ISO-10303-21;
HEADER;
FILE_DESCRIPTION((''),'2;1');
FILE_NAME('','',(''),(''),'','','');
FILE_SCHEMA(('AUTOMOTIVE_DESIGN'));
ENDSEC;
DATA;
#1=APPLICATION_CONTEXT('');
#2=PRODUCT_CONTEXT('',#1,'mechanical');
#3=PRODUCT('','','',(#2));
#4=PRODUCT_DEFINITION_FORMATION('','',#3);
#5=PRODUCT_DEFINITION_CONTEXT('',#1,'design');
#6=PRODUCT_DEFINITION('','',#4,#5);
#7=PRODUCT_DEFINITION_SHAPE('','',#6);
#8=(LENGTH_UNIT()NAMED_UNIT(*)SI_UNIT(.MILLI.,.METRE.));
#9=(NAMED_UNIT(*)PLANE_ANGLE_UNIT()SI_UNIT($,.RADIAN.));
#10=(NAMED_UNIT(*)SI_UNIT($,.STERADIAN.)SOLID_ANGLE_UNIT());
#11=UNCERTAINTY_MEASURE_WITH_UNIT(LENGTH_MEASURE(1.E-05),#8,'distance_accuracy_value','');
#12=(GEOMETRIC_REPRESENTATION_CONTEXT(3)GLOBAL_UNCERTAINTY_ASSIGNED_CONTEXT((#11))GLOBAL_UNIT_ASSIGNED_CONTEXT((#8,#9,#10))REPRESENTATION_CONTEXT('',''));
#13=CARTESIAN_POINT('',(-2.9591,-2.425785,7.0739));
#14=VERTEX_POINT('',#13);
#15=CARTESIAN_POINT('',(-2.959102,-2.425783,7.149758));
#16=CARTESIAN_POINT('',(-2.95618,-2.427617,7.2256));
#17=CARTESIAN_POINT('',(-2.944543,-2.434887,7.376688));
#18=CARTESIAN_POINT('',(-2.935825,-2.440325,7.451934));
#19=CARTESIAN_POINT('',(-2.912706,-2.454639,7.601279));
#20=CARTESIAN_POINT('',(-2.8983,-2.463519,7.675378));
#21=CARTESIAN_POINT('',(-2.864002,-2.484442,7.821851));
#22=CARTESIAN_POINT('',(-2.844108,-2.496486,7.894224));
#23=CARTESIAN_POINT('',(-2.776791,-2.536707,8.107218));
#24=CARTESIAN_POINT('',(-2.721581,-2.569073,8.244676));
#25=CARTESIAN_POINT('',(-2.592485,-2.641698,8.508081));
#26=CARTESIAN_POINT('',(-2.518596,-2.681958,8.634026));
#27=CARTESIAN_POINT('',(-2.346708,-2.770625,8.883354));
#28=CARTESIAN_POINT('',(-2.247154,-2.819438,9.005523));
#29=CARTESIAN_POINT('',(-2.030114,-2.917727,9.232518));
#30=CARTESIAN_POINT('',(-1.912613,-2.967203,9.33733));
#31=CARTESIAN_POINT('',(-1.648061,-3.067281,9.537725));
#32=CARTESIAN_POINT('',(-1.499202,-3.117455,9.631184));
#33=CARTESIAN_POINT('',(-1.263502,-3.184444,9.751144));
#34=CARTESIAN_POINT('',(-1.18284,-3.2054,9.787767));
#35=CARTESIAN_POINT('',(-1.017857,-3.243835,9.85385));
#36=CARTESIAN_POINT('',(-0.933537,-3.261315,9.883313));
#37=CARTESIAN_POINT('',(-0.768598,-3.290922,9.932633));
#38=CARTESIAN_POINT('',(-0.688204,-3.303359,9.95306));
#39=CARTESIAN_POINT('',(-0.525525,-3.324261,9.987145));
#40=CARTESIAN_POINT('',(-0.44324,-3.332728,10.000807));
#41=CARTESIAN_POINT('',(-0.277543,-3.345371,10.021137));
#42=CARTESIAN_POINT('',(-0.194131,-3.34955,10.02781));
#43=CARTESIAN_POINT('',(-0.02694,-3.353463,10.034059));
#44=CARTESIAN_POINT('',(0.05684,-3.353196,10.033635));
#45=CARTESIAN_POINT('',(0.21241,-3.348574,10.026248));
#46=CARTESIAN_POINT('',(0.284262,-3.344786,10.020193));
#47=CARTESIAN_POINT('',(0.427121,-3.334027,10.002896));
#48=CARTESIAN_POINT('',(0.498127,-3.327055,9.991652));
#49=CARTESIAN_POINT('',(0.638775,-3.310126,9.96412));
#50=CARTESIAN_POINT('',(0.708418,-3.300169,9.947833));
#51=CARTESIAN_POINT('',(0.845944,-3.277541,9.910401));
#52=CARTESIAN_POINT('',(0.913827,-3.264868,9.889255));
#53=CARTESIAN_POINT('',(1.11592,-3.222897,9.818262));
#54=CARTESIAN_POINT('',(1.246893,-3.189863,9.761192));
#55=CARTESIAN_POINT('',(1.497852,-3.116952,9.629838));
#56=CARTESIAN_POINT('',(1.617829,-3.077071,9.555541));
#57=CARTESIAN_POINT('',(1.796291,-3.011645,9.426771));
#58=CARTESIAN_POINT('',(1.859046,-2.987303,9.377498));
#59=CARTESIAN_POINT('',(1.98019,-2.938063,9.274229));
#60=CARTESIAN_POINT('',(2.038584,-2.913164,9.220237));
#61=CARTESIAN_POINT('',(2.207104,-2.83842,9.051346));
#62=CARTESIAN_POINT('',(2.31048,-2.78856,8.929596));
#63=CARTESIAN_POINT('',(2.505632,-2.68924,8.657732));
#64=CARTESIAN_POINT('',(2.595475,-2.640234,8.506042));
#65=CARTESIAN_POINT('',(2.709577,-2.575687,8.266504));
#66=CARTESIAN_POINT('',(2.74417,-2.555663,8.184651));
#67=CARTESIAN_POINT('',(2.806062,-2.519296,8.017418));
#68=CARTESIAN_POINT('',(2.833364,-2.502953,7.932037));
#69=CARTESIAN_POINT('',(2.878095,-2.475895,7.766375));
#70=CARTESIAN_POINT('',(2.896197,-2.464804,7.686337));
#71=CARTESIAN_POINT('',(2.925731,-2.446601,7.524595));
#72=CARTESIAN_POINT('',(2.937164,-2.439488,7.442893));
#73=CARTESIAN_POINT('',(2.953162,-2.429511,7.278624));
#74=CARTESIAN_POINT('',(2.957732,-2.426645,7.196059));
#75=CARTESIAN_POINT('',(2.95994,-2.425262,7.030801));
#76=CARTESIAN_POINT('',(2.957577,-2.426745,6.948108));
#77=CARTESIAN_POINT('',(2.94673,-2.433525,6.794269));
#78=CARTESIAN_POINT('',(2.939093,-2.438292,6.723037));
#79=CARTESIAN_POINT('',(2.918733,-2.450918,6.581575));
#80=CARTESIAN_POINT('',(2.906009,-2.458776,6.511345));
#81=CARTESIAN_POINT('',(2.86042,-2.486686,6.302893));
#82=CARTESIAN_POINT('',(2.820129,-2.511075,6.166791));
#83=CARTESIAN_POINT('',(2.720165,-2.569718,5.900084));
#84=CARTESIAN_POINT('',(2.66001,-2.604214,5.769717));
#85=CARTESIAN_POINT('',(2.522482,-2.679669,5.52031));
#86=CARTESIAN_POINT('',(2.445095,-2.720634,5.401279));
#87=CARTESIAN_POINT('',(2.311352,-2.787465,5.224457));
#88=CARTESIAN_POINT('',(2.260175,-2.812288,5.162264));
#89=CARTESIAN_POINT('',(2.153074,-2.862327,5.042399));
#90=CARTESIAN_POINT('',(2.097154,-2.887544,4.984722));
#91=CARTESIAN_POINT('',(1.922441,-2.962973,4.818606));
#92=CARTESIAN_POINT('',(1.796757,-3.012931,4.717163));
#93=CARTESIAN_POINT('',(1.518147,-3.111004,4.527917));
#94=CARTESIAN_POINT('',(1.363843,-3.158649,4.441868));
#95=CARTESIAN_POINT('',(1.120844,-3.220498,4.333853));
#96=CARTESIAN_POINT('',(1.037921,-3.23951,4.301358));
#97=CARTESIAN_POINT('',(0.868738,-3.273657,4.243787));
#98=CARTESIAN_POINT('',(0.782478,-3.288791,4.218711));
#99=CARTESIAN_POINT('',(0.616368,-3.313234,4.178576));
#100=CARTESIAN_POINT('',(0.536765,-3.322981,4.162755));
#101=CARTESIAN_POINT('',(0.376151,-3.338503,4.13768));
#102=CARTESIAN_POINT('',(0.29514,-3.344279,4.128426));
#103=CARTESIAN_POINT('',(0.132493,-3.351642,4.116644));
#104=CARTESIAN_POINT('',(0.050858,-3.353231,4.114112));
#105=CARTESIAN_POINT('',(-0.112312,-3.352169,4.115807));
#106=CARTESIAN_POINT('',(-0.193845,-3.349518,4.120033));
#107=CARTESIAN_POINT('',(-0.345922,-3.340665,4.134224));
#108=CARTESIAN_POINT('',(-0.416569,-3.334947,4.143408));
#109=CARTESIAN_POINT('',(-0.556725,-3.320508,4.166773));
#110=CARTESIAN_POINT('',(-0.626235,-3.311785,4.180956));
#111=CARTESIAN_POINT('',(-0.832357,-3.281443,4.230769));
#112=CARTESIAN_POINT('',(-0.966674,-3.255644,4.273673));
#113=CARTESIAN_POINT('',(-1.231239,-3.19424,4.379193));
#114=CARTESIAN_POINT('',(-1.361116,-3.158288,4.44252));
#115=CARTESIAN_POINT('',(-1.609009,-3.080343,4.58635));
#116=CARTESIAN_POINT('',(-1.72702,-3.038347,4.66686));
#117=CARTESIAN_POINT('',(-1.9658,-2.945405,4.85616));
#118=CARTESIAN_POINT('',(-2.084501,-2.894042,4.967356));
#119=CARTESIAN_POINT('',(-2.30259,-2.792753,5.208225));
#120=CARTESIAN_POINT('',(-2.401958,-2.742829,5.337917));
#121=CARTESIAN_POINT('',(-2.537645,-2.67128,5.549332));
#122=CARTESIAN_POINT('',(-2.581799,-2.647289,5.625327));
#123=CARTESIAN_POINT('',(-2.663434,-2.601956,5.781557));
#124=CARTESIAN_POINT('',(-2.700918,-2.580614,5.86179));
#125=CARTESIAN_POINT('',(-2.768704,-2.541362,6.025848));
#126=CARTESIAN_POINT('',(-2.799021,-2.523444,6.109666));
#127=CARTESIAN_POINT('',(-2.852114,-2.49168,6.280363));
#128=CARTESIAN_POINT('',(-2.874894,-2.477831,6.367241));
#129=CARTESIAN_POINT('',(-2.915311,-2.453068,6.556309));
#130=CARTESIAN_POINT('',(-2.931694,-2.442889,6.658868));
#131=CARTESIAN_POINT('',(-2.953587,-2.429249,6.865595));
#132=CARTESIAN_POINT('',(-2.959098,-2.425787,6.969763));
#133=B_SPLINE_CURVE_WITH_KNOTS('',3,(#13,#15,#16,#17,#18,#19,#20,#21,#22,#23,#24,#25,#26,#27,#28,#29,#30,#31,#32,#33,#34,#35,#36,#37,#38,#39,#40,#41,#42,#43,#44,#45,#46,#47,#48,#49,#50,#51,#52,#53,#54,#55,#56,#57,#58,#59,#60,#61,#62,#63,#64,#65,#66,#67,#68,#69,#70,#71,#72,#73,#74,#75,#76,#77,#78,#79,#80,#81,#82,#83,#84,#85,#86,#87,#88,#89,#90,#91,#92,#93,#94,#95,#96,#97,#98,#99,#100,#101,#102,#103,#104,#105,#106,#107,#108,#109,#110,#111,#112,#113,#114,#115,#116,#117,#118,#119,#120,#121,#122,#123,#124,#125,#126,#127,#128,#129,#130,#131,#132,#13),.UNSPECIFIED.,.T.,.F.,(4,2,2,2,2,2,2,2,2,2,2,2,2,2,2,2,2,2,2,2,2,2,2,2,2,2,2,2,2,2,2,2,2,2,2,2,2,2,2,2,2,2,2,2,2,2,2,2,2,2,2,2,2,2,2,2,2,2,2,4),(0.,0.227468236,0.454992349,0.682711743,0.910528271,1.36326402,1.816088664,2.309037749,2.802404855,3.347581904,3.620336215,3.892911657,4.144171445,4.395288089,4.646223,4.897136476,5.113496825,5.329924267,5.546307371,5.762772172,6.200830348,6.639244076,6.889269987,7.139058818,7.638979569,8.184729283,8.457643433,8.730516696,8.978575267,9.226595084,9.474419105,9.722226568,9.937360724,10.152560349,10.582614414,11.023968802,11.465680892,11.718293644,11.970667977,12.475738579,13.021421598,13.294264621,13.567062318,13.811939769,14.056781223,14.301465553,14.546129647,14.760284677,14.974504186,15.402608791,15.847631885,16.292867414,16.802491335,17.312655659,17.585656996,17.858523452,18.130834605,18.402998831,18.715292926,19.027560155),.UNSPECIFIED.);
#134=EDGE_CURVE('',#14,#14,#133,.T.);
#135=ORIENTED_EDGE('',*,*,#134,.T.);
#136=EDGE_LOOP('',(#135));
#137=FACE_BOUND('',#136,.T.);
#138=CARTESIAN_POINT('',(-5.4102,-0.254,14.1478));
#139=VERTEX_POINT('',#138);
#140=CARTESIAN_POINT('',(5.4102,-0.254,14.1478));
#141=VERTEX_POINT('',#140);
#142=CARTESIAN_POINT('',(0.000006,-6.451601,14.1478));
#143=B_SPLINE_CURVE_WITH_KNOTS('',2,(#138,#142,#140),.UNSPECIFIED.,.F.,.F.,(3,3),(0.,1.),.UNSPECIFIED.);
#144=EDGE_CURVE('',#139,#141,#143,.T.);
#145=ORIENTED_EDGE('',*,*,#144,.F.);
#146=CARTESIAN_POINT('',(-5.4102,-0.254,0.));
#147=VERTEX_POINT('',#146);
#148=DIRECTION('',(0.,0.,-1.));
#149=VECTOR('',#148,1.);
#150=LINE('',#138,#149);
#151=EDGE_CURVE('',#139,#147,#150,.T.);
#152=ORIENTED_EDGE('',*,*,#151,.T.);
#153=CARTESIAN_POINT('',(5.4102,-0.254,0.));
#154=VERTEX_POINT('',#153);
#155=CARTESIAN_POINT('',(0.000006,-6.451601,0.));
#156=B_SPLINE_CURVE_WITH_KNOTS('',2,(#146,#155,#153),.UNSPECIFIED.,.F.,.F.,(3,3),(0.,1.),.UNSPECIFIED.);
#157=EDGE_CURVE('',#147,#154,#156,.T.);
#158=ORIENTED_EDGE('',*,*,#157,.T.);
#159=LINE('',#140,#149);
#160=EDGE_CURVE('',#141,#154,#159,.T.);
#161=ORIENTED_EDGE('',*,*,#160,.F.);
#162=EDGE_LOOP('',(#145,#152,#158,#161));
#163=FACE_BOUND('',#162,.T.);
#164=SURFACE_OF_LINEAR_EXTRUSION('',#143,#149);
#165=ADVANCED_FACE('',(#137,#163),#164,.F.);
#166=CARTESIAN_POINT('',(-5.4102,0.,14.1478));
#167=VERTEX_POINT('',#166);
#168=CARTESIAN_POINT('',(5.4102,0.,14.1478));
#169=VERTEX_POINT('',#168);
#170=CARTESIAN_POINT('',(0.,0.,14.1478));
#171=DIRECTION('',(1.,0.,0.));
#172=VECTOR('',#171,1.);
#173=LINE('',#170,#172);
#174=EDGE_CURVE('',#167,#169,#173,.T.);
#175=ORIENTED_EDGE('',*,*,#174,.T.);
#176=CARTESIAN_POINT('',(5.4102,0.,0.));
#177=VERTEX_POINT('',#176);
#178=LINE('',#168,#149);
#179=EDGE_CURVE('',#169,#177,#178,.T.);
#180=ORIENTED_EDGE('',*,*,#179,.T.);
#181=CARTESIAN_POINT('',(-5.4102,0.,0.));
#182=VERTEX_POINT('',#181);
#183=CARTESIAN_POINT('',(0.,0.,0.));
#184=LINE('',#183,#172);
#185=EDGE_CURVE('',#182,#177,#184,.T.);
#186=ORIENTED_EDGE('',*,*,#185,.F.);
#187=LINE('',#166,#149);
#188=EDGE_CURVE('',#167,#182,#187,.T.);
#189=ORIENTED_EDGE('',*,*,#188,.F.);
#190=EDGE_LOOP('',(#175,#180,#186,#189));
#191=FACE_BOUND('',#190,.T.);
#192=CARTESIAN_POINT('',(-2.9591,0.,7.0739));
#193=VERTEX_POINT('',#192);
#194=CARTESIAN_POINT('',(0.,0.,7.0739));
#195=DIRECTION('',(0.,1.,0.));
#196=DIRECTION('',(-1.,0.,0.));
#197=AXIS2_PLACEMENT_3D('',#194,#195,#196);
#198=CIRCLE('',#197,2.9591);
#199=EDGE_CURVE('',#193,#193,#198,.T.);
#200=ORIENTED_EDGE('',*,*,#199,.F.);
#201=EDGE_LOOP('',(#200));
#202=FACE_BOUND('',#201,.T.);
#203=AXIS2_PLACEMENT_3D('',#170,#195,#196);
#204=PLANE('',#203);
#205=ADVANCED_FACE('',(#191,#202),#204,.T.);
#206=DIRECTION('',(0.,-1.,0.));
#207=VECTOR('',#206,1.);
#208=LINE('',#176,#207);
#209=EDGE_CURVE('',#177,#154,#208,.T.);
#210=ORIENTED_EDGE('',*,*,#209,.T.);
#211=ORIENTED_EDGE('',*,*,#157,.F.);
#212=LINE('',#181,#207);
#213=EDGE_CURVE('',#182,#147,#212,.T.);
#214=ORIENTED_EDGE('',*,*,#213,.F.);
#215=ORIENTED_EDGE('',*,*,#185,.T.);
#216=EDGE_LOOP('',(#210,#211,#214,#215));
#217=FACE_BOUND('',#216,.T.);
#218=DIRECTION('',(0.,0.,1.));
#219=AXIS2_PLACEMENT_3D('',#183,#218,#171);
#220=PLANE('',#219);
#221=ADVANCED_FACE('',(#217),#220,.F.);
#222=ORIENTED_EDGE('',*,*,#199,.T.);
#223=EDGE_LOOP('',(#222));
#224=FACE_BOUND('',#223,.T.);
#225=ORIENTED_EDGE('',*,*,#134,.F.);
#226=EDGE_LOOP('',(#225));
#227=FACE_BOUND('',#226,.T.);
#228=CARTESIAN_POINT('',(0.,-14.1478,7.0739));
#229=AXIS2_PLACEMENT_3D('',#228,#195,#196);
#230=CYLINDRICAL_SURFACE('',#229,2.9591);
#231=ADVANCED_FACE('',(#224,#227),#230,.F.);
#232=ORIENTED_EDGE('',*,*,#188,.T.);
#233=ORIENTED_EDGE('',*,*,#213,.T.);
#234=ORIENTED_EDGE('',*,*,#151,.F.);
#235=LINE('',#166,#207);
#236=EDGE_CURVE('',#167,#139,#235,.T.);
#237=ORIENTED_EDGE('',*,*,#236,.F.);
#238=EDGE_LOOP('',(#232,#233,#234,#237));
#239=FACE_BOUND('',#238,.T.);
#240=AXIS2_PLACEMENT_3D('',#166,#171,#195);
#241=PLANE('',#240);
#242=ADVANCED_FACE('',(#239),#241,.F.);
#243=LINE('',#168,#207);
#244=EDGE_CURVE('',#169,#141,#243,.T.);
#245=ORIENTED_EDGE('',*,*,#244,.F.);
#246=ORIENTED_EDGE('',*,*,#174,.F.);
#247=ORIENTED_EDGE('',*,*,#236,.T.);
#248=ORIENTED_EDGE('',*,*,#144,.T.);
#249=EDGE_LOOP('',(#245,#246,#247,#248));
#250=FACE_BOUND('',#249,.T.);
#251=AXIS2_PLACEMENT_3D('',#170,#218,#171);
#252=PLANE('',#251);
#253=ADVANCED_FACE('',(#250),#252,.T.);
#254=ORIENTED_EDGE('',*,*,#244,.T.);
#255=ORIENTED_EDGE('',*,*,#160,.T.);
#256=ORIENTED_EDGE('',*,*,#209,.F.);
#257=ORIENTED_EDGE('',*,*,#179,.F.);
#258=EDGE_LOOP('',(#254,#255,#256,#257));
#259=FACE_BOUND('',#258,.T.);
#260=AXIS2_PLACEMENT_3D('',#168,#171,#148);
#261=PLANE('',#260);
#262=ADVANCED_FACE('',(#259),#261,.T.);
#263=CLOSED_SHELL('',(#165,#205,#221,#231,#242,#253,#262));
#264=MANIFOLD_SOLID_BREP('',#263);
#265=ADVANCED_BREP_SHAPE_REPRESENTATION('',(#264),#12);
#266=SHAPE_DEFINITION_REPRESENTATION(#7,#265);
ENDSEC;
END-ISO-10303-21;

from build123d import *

# Parameters (mm, degrees)
BOSS_EXTRUDE1_DEPTH = 14.1478
SKETCH2_R           = 2.9591
CUT_EXTRUDE1_DEPTH  = 14.1478


with BuildPart() as part:
    # Sketch1 → Boss-Extrude1 (new body)
    with BuildSketch(Plane.XY):
        with BuildLine():
            Line((-5.4102, 0), (-5.4102, -0.254))
            add(Edge.make_bspline(
                [(-5.4102, -0.254), (6.345e-06, -6.451600503), (5.4102, -0.254)],
                knots=[0, 0, 0, 1, 1, 1], degree=2))
            Line((5.4102, -0.254), (5.4102, 0))
            Line((5.4102, 0), (-5.4102, 0))
        make_face()
    extrude(amount=BOSS_EXTRUDE1_DEPTH)

    # Sketch2 → Cut-Extrude1 (cut)
    with BuildSketch(Plane(origin=(0, 0, 0), x_dir=(1, 0, 0), z_dir=(0, 1, 0))):
        with Locations((0, -7.0739)):
            Circle(SKETCH2_R)
    extrude(amount=-CUT_EXTRUDE1_DEPTH, mode=Mode.SUBTRACT)


solid = part.part
